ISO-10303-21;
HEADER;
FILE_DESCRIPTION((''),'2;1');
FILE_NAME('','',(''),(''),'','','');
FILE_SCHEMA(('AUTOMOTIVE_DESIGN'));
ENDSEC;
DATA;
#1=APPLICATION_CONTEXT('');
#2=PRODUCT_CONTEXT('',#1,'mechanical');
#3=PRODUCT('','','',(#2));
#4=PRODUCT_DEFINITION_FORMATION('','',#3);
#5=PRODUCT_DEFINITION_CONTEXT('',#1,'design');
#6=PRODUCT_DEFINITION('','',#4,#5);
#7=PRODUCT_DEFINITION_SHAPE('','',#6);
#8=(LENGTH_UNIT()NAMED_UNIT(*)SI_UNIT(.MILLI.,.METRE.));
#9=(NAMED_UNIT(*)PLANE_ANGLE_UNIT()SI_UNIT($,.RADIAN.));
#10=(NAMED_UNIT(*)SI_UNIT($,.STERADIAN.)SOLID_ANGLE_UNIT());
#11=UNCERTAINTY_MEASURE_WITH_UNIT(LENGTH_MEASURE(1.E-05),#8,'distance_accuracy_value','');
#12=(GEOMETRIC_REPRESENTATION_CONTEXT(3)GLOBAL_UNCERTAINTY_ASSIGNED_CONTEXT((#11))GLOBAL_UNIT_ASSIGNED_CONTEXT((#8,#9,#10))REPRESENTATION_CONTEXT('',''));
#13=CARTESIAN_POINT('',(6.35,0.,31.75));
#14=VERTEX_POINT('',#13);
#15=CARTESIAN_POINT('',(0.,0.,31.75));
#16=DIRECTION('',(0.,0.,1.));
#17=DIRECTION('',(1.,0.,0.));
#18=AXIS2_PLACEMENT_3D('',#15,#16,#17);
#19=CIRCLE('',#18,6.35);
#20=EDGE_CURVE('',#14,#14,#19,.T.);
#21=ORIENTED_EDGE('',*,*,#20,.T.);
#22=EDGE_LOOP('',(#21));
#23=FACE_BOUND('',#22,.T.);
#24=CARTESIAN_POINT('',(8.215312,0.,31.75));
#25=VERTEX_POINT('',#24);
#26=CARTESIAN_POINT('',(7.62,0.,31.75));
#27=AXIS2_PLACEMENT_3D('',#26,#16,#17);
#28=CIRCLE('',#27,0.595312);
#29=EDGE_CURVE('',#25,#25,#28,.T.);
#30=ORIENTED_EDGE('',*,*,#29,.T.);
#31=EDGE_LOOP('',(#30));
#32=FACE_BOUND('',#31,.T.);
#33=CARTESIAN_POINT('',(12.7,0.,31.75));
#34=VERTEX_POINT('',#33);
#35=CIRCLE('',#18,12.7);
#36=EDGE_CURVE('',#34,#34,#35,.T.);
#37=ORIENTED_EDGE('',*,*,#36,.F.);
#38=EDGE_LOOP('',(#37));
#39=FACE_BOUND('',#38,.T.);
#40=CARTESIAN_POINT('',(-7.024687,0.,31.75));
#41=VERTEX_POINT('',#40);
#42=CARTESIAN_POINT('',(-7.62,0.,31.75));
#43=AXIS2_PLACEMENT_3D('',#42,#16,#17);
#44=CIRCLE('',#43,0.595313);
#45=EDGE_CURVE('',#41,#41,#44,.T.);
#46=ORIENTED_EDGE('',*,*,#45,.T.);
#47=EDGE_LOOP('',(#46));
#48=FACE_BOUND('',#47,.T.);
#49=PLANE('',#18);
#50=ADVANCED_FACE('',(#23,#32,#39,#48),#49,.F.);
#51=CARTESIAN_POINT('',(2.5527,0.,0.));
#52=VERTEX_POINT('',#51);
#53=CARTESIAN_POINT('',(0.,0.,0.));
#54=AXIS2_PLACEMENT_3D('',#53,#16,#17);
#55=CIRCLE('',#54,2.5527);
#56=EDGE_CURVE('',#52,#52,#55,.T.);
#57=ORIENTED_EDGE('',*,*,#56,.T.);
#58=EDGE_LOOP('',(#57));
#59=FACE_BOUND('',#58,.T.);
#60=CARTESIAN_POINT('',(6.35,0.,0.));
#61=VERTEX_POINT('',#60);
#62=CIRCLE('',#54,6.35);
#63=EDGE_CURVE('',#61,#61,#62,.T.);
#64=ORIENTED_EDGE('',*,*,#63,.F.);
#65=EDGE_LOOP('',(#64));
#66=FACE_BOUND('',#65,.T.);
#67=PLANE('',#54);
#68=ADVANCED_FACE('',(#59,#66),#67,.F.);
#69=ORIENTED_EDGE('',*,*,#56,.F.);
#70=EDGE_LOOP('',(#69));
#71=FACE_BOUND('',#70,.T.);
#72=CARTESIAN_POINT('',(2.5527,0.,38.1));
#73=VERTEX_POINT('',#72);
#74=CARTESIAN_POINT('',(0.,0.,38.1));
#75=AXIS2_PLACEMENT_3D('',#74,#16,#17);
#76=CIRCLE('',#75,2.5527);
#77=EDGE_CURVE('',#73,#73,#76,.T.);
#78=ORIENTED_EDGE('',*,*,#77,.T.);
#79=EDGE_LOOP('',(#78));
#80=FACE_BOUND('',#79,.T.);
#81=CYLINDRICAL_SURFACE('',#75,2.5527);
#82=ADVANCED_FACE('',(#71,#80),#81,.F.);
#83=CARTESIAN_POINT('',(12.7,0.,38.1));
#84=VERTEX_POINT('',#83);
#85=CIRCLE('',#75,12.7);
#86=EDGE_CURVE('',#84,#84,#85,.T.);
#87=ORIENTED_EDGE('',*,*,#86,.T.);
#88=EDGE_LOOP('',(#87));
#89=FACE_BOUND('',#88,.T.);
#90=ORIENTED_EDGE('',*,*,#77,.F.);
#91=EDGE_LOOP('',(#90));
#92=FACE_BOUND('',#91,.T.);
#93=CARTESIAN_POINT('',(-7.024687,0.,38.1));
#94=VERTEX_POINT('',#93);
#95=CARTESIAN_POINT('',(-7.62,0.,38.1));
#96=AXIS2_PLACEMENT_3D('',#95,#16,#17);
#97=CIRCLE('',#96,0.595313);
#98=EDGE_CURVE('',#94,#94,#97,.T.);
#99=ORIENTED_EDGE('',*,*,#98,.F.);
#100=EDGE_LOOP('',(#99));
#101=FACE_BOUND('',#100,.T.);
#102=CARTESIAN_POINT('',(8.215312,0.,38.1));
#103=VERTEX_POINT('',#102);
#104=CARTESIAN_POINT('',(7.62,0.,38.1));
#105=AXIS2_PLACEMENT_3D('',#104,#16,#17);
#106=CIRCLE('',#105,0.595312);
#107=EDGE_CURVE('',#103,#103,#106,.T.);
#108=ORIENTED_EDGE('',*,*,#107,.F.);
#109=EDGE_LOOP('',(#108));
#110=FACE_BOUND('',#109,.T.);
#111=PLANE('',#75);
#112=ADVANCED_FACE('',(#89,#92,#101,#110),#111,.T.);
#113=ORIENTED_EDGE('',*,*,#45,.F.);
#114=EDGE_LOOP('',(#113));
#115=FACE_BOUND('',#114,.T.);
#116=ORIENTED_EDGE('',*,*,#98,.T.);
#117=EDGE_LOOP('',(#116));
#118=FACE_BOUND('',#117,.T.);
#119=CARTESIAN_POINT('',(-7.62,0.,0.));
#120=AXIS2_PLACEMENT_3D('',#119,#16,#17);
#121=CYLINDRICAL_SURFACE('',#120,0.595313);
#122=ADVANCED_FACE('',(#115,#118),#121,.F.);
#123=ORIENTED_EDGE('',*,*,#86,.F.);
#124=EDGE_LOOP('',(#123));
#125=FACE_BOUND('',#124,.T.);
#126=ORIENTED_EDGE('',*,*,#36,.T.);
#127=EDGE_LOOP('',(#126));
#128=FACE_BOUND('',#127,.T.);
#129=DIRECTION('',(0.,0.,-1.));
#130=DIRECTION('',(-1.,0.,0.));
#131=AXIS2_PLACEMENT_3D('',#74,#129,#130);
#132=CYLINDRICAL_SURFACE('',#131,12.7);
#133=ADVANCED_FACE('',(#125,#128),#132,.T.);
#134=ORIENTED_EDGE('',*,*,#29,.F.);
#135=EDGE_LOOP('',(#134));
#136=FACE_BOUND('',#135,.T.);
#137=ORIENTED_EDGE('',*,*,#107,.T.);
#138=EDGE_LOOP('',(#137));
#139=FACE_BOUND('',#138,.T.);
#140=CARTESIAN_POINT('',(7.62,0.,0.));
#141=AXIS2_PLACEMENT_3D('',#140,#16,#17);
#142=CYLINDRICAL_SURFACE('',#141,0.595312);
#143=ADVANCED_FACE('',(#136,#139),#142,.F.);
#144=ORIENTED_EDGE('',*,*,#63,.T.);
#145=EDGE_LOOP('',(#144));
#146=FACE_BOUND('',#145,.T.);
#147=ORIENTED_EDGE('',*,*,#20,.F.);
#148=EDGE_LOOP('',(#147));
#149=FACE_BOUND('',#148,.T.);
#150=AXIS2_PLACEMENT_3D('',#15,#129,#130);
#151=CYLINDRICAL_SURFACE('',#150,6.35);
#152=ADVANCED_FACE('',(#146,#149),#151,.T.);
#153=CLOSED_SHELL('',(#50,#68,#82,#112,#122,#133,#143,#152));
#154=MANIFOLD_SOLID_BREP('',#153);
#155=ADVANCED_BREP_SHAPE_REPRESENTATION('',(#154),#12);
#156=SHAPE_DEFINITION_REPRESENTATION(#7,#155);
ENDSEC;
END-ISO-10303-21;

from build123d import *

# Parameters (mm, degrees)
SKETCH1_R               = 6.35
SKETCH1_R_2             = 2.5527
BOSS_EXTRUDE1_DEPTH     = 31.75
SKETCH2_R               = 12.7
SKETCH2_R_2             = 2.5527
BOSS_EXTRUDE2_DEPTH     = 6.35
SKETCH3_R               = 0.5953125
CUT_EXTRUDE1_DEPTH      = 43.121134838
BOSS_EXTRUDE3_START     = -38.1
SKETCH11_R              = 2.5527
BOSS_EXTRUDE3_DEPTH     = 38.1
F_1_4_20_TAPPED_HOLE3_D = 5.1054


with BuildPart() as part:
    # Sketch1 → Boss-Extrude1 (new body)
    with BuildSketch(Plane.XY):
        Circle(SKETCH1_R)
        Circle(SKETCH1_R_2, mode=Mode.SUBTRACT)
    extrude(amount=BOSS_EXTRUDE1_DEPTH)

    # Sketch2 → Boss-Extrude2 (add)
    with BuildSketch(Plane.XY.offset(31.75)):
        Circle(SKETCH2_R)
        Circle(SKETCH2_R_2, mode=Mode.SUBTRACT)
    extrude(amount=BOSS_EXTRUDE2_DEPTH)

    # Sketch3 → Cut-Extrude1 (cut, through all)
    with BuildSketch(Plane.XY.offset(38.1)):
        with Locations((-7.62, 0)):
            Circle(SKETCH3_R)
        with Locations((7.62, 0)):
            Circle(SKETCH3_R)
    extrude(amount=-CUT_EXTRUDE1_DEPTH, mode=Mode.SUBTRACT)

    # Sketch11 → Boss-Extrude3 (add)
    with BuildSketch(Plane.XY.offset(38.1).offset(BOSS_EXTRUDE3_START)):
        Circle(SKETCH11_R)
    extrude(amount=BOSS_EXTRUDE3_DEPTH)

    # 1/4-20 Tapped Hole3 (through all)
    with Locations(Plane.XY.offset(38.1)):
        with Locations((0, 0)):
            Hole(F_1_4_20_TAPPED_HOLE3_D / 2)


solid = part.part
